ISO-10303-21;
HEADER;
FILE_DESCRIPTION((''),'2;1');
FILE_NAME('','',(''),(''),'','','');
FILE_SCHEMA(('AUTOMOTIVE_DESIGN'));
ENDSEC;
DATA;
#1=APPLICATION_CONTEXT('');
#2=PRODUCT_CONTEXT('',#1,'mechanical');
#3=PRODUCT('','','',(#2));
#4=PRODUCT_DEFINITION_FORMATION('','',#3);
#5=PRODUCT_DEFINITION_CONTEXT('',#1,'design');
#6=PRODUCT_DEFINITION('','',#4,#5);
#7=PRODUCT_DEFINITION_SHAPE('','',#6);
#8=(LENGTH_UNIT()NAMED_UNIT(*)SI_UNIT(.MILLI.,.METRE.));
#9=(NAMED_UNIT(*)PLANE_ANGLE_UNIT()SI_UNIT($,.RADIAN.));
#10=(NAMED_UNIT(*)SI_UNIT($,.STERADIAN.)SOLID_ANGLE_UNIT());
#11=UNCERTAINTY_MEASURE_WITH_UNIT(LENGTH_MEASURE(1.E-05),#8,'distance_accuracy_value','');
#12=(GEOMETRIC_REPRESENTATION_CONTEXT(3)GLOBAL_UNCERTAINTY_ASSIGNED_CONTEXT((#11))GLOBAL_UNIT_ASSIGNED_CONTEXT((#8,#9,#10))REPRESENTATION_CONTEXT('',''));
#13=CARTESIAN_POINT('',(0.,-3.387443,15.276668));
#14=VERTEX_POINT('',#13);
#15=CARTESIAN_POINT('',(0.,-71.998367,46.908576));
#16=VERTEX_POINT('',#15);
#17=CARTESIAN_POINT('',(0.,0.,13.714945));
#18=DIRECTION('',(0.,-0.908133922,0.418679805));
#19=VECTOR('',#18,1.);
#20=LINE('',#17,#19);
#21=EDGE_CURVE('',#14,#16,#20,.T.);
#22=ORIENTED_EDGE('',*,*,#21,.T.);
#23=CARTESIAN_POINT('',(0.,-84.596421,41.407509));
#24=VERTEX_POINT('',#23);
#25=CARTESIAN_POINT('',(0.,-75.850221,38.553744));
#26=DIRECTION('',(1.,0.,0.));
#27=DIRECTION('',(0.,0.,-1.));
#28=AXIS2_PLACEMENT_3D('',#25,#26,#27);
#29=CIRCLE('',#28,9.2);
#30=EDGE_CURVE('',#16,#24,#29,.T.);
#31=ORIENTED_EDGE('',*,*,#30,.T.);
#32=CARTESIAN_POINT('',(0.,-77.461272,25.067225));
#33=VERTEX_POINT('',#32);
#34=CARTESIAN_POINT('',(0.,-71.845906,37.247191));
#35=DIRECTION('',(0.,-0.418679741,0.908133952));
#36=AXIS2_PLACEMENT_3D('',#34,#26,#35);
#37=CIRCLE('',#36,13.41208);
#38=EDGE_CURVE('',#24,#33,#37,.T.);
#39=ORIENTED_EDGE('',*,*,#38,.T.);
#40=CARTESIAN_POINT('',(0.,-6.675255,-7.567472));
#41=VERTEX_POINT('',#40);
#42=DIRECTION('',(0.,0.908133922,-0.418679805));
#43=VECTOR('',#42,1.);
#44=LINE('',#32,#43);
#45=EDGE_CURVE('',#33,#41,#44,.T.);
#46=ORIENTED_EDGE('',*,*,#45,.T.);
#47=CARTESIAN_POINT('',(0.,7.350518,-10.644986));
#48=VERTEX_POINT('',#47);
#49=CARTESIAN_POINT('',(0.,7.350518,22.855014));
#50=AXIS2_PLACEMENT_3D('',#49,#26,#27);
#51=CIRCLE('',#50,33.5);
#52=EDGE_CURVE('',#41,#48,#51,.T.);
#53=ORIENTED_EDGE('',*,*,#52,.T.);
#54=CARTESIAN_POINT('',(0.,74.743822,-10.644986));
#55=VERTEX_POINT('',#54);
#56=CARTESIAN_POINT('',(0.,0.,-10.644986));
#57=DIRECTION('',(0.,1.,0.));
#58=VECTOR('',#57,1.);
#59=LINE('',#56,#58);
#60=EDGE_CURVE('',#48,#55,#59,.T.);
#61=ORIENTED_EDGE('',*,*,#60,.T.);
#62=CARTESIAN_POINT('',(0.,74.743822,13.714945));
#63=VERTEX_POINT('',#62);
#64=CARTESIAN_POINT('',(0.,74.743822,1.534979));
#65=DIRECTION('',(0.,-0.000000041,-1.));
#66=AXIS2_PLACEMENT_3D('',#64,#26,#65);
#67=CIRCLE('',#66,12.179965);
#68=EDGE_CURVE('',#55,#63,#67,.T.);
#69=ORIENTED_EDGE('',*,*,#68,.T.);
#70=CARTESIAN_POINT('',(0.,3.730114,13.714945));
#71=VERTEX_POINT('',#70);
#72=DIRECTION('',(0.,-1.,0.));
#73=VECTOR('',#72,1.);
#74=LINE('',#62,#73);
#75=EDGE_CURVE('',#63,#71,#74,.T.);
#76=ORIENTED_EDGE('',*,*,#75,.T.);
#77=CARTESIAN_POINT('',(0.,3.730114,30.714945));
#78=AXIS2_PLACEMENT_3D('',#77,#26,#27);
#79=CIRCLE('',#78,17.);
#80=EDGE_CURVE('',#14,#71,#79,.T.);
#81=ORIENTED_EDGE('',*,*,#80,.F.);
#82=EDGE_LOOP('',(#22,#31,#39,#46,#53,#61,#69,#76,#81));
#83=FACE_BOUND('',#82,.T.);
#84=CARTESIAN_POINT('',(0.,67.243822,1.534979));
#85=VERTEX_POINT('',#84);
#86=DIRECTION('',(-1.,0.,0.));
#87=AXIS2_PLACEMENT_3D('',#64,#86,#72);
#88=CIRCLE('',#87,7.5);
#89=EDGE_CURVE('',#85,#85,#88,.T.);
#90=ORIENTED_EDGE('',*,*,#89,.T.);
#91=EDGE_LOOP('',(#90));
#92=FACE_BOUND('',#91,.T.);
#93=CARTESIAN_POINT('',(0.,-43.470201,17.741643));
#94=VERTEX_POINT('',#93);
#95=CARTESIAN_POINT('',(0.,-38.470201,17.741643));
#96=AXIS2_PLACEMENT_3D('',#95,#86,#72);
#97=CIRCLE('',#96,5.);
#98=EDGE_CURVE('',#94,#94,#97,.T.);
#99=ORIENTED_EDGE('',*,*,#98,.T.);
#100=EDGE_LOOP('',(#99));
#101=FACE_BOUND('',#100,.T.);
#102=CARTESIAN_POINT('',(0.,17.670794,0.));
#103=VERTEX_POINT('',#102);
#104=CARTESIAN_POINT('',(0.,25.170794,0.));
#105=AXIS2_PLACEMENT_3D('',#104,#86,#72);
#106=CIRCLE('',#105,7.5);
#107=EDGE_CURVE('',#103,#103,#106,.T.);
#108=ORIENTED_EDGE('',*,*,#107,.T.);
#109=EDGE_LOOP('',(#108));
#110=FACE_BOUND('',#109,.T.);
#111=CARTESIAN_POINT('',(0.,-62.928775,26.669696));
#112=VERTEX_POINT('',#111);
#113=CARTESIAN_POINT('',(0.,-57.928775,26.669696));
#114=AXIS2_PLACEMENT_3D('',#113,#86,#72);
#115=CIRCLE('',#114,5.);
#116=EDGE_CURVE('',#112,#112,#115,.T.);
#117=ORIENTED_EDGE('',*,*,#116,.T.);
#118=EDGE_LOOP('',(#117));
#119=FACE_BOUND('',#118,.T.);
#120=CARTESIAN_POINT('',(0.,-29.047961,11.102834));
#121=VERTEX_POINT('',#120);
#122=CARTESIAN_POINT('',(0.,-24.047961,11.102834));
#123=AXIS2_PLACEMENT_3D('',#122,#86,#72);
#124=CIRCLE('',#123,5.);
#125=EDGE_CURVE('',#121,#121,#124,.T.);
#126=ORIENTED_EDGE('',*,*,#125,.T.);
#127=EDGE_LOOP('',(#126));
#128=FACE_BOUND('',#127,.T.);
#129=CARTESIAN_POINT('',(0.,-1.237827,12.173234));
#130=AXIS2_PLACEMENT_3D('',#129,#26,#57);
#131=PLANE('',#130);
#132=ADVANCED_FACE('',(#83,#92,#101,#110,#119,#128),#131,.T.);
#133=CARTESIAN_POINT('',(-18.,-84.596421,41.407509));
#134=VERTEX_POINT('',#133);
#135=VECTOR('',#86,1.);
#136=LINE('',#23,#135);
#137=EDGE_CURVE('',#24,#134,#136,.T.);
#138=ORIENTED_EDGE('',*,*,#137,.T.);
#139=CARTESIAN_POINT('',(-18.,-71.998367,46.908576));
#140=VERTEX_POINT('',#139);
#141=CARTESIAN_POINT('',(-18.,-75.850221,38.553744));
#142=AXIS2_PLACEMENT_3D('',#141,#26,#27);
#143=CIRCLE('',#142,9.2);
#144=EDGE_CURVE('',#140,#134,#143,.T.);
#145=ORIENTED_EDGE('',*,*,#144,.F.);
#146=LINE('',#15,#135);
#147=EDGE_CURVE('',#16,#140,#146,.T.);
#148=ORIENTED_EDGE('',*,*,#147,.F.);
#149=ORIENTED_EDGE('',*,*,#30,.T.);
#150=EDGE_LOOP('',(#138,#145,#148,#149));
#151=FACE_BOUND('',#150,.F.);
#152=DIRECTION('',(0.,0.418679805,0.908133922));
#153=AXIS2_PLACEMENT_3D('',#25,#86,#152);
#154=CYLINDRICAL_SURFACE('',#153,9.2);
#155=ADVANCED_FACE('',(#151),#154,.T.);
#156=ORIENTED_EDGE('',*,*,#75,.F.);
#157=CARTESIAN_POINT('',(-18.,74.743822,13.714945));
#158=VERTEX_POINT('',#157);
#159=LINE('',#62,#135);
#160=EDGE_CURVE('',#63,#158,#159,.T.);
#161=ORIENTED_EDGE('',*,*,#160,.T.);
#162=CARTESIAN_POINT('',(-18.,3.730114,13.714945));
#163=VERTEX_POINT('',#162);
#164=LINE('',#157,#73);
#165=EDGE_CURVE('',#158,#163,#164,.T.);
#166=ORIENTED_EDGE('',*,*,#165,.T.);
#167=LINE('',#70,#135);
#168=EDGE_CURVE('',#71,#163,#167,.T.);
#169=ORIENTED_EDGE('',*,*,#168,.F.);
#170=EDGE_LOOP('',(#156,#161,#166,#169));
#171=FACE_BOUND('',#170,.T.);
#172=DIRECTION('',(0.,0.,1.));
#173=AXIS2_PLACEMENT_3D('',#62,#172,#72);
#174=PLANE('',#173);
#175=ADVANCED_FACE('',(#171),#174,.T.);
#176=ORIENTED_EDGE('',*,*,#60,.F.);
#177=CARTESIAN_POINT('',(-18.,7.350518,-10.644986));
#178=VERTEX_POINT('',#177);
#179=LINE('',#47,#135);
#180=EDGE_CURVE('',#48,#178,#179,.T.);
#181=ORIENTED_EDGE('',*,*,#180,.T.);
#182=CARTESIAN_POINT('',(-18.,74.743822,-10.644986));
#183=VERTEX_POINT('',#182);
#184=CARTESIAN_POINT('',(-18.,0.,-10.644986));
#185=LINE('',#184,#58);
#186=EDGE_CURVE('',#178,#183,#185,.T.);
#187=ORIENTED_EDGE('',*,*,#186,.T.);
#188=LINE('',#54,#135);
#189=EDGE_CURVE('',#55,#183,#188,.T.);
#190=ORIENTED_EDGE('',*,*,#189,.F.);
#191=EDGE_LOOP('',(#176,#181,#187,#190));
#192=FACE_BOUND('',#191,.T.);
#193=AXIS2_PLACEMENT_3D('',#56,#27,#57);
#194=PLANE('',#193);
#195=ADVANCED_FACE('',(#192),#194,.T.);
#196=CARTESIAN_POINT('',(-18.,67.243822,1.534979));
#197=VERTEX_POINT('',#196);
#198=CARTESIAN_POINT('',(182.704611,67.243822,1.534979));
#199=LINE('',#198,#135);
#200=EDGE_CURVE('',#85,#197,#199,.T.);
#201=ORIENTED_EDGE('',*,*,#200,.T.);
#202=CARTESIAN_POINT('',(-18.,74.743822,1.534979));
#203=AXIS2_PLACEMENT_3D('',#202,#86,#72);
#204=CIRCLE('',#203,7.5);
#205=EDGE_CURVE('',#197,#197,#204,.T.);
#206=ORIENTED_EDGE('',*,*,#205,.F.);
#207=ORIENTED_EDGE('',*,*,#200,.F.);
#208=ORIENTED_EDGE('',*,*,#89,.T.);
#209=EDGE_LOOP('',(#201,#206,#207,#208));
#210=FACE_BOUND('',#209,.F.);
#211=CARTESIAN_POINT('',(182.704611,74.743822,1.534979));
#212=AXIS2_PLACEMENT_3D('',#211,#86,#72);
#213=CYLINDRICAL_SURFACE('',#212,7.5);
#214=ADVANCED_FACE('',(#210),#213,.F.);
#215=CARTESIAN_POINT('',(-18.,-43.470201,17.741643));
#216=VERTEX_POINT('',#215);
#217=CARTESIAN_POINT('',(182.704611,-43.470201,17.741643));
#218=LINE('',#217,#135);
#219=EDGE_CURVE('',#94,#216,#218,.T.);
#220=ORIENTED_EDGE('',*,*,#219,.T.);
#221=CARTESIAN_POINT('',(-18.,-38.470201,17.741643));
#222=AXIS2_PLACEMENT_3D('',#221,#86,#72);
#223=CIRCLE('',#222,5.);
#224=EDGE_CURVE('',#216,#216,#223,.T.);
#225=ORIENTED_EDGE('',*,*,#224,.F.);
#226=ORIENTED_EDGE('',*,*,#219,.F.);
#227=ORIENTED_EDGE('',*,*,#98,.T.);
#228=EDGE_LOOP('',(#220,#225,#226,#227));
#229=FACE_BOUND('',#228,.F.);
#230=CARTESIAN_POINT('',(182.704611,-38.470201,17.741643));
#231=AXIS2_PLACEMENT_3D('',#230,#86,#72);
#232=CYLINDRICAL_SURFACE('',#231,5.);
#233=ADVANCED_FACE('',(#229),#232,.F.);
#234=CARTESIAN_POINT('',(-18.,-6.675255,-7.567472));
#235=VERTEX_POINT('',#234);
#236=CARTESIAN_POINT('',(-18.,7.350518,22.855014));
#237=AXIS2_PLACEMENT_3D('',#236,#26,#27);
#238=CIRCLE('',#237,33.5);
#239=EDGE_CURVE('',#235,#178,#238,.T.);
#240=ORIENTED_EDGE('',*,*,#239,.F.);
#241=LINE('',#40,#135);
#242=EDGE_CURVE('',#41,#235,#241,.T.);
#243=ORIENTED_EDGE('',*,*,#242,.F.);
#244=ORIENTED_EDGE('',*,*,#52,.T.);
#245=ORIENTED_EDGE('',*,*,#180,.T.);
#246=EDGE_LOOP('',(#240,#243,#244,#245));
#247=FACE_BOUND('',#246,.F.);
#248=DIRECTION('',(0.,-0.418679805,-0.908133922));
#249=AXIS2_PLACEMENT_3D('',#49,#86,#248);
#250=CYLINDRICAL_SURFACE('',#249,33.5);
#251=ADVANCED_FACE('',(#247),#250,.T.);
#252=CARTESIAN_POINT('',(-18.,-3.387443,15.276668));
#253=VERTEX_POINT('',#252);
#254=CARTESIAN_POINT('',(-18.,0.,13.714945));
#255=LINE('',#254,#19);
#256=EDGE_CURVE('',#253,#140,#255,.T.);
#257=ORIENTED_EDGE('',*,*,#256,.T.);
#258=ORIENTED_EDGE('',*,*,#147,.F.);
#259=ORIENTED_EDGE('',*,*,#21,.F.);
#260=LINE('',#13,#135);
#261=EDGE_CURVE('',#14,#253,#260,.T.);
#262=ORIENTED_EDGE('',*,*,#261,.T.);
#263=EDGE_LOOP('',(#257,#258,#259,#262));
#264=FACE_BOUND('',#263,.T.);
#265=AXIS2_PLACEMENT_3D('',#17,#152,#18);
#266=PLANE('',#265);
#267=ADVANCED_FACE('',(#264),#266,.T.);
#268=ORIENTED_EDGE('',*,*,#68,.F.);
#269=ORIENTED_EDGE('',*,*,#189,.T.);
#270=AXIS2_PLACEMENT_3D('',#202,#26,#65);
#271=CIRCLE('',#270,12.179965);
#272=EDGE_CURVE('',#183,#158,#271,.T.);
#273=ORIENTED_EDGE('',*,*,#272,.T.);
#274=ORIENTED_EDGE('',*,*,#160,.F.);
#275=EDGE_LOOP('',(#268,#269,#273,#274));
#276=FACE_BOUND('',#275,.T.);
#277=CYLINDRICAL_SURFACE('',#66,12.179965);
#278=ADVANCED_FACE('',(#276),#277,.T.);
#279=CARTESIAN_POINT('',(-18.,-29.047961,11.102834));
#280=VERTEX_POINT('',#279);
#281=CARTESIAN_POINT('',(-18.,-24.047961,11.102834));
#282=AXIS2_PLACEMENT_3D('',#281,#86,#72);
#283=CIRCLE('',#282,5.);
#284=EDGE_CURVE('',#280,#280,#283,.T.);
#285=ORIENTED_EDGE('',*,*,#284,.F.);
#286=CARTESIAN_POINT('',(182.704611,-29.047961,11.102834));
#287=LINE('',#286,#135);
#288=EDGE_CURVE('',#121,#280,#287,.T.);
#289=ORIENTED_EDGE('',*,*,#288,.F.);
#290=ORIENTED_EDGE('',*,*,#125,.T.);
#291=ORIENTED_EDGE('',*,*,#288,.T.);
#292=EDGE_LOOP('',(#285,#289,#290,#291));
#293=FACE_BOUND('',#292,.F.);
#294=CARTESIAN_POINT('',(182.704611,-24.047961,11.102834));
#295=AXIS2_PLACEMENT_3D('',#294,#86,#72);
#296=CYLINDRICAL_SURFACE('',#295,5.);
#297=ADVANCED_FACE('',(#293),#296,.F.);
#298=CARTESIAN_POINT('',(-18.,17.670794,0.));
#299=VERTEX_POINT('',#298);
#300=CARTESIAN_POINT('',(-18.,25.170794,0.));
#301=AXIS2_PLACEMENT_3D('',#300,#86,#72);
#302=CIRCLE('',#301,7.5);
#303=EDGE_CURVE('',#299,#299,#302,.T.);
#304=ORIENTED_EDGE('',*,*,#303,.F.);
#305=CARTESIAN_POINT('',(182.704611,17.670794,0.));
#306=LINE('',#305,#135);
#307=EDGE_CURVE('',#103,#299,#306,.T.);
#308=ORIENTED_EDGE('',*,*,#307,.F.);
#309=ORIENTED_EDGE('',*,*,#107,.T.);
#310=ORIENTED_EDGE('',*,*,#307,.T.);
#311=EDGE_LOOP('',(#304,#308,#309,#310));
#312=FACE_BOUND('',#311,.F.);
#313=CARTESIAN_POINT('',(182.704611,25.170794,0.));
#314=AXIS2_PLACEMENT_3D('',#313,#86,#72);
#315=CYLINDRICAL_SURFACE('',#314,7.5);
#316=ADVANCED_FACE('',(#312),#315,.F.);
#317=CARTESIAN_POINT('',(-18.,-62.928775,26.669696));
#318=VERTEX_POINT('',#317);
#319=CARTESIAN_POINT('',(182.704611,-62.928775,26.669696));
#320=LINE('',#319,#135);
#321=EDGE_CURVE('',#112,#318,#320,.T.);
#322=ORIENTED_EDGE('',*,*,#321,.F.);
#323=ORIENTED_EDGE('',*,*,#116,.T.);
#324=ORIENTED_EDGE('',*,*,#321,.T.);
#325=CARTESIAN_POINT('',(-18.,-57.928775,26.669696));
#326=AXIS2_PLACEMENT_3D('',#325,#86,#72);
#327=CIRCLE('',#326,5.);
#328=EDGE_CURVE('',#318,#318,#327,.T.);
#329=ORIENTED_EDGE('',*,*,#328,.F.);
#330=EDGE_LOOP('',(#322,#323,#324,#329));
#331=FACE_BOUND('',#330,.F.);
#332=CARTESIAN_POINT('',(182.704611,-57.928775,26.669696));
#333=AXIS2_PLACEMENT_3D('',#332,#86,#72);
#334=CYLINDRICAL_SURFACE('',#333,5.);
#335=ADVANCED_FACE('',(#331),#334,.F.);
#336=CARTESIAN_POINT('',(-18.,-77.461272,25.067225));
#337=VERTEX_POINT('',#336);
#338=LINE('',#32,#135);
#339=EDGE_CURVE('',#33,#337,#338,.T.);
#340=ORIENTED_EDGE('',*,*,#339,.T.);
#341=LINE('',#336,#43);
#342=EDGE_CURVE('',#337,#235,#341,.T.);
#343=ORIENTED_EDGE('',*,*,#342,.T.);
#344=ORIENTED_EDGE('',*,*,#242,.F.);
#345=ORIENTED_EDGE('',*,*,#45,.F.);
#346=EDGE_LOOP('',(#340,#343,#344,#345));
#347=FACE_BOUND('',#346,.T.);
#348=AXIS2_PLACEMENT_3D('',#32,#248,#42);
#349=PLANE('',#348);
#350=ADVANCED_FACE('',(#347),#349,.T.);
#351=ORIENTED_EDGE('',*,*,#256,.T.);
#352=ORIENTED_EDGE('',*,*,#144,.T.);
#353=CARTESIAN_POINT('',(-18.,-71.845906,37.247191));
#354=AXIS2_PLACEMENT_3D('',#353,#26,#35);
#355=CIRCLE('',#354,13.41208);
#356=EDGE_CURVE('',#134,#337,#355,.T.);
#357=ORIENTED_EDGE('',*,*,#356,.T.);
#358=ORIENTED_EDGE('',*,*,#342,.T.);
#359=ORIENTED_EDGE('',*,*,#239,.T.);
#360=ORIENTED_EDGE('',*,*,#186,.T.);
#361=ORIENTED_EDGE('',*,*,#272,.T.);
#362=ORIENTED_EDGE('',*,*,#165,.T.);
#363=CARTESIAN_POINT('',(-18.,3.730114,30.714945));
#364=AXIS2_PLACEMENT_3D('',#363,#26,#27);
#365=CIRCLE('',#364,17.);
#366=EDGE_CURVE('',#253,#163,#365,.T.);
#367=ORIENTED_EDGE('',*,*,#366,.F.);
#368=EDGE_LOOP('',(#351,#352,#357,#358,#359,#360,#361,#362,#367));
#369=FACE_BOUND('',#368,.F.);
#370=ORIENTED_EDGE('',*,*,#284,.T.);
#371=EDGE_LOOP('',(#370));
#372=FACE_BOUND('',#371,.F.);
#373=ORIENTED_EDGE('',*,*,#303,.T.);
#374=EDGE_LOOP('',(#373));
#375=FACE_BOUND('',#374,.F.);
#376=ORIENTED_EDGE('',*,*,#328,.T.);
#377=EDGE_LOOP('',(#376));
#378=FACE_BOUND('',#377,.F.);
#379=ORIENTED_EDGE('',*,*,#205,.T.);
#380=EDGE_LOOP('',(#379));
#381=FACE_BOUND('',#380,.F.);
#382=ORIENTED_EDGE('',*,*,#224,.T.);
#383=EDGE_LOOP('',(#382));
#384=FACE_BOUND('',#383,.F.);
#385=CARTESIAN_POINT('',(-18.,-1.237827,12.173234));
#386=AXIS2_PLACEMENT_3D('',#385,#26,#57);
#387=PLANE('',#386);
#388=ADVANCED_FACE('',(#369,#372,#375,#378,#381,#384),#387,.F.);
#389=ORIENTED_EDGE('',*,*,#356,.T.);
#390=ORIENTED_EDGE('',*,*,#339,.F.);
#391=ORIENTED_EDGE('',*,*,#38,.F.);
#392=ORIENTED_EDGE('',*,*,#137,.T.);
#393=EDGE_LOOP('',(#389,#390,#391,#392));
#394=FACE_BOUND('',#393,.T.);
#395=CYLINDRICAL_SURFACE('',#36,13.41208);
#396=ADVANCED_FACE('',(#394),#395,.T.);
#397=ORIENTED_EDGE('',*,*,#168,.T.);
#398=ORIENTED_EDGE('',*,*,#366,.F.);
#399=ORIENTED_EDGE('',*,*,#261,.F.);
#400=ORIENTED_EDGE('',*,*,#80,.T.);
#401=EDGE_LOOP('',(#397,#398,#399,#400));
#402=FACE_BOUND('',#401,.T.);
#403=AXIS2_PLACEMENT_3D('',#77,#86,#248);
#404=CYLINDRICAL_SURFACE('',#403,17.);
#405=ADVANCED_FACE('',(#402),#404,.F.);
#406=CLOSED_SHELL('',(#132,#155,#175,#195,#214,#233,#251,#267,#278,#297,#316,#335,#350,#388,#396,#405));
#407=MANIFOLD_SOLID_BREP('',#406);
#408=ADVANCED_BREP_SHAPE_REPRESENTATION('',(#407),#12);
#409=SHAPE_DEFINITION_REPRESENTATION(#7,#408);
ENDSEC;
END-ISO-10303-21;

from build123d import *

# Parameters (mm, degrees)
F1_DEPTH = 18
F2_R     = 9.2
F4_D     = 10
F5_R     = 33.5
F6_R     = 17
F7_D     = 15


with BuildPart() as f1:
    # F0 (on Right) → F1 (new body)
    with BuildSketch(Plane.YZ):
        with BuildLine():
            Line((74.743822, 13.714945), (0, 13.714945))
            Line((0, 13.714945), (-77.461272, 49.427156))
            ThreePointArc((-77.461272, 49.427156), (-85.257986, 37.247191), (-77.461272, 25.067225))
            Line((-77.461272, 25.067225), (0, -10.644986))
            Line((0, -10.644986), (74.743822, -10.644986))
            ThreePointArc((74.743822, -10.644986), (86.923788, 1.534979), (74.743822, 13.714945))
        make_face()
    extrude(amount=-F1_DEPTH)

    # F2
    f2_edges = [f1.edges().sort_by_distance(p)[0] for p in [
        (-9, -77.461272, 49.427156),
    ]]
    fillet(f2_edges, radius=F2_R)

    # F4 (through all)
    with Locations(Plane.YZ):
        with Locations((-57.928775, 26.669696), (-38.470201, 17.741643), (-24.047961, 11.102834)):
            Hole(F4_D / 2)

    # F5
    f5_edges = [f1.edges().sort_by_distance(p)[0] for p in [
        (-9, 0, -10.644986),
    ]]
    fillet(f5_edges, radius=F5_R)

    # F6
    f6_edges = [f1.edges().sort_by_distance(p)[0] for p in [
        (-9, 0, 13.714945),
    ]]
    fillet(f6_edges, radius=F6_R)

    # F7 (through all)
    with Locations(Plane.YZ):
        with Locations((25.170794, 0), (74.743822, 1.534979)):
            Hole(F7_D / 2)


solid = f1.part
